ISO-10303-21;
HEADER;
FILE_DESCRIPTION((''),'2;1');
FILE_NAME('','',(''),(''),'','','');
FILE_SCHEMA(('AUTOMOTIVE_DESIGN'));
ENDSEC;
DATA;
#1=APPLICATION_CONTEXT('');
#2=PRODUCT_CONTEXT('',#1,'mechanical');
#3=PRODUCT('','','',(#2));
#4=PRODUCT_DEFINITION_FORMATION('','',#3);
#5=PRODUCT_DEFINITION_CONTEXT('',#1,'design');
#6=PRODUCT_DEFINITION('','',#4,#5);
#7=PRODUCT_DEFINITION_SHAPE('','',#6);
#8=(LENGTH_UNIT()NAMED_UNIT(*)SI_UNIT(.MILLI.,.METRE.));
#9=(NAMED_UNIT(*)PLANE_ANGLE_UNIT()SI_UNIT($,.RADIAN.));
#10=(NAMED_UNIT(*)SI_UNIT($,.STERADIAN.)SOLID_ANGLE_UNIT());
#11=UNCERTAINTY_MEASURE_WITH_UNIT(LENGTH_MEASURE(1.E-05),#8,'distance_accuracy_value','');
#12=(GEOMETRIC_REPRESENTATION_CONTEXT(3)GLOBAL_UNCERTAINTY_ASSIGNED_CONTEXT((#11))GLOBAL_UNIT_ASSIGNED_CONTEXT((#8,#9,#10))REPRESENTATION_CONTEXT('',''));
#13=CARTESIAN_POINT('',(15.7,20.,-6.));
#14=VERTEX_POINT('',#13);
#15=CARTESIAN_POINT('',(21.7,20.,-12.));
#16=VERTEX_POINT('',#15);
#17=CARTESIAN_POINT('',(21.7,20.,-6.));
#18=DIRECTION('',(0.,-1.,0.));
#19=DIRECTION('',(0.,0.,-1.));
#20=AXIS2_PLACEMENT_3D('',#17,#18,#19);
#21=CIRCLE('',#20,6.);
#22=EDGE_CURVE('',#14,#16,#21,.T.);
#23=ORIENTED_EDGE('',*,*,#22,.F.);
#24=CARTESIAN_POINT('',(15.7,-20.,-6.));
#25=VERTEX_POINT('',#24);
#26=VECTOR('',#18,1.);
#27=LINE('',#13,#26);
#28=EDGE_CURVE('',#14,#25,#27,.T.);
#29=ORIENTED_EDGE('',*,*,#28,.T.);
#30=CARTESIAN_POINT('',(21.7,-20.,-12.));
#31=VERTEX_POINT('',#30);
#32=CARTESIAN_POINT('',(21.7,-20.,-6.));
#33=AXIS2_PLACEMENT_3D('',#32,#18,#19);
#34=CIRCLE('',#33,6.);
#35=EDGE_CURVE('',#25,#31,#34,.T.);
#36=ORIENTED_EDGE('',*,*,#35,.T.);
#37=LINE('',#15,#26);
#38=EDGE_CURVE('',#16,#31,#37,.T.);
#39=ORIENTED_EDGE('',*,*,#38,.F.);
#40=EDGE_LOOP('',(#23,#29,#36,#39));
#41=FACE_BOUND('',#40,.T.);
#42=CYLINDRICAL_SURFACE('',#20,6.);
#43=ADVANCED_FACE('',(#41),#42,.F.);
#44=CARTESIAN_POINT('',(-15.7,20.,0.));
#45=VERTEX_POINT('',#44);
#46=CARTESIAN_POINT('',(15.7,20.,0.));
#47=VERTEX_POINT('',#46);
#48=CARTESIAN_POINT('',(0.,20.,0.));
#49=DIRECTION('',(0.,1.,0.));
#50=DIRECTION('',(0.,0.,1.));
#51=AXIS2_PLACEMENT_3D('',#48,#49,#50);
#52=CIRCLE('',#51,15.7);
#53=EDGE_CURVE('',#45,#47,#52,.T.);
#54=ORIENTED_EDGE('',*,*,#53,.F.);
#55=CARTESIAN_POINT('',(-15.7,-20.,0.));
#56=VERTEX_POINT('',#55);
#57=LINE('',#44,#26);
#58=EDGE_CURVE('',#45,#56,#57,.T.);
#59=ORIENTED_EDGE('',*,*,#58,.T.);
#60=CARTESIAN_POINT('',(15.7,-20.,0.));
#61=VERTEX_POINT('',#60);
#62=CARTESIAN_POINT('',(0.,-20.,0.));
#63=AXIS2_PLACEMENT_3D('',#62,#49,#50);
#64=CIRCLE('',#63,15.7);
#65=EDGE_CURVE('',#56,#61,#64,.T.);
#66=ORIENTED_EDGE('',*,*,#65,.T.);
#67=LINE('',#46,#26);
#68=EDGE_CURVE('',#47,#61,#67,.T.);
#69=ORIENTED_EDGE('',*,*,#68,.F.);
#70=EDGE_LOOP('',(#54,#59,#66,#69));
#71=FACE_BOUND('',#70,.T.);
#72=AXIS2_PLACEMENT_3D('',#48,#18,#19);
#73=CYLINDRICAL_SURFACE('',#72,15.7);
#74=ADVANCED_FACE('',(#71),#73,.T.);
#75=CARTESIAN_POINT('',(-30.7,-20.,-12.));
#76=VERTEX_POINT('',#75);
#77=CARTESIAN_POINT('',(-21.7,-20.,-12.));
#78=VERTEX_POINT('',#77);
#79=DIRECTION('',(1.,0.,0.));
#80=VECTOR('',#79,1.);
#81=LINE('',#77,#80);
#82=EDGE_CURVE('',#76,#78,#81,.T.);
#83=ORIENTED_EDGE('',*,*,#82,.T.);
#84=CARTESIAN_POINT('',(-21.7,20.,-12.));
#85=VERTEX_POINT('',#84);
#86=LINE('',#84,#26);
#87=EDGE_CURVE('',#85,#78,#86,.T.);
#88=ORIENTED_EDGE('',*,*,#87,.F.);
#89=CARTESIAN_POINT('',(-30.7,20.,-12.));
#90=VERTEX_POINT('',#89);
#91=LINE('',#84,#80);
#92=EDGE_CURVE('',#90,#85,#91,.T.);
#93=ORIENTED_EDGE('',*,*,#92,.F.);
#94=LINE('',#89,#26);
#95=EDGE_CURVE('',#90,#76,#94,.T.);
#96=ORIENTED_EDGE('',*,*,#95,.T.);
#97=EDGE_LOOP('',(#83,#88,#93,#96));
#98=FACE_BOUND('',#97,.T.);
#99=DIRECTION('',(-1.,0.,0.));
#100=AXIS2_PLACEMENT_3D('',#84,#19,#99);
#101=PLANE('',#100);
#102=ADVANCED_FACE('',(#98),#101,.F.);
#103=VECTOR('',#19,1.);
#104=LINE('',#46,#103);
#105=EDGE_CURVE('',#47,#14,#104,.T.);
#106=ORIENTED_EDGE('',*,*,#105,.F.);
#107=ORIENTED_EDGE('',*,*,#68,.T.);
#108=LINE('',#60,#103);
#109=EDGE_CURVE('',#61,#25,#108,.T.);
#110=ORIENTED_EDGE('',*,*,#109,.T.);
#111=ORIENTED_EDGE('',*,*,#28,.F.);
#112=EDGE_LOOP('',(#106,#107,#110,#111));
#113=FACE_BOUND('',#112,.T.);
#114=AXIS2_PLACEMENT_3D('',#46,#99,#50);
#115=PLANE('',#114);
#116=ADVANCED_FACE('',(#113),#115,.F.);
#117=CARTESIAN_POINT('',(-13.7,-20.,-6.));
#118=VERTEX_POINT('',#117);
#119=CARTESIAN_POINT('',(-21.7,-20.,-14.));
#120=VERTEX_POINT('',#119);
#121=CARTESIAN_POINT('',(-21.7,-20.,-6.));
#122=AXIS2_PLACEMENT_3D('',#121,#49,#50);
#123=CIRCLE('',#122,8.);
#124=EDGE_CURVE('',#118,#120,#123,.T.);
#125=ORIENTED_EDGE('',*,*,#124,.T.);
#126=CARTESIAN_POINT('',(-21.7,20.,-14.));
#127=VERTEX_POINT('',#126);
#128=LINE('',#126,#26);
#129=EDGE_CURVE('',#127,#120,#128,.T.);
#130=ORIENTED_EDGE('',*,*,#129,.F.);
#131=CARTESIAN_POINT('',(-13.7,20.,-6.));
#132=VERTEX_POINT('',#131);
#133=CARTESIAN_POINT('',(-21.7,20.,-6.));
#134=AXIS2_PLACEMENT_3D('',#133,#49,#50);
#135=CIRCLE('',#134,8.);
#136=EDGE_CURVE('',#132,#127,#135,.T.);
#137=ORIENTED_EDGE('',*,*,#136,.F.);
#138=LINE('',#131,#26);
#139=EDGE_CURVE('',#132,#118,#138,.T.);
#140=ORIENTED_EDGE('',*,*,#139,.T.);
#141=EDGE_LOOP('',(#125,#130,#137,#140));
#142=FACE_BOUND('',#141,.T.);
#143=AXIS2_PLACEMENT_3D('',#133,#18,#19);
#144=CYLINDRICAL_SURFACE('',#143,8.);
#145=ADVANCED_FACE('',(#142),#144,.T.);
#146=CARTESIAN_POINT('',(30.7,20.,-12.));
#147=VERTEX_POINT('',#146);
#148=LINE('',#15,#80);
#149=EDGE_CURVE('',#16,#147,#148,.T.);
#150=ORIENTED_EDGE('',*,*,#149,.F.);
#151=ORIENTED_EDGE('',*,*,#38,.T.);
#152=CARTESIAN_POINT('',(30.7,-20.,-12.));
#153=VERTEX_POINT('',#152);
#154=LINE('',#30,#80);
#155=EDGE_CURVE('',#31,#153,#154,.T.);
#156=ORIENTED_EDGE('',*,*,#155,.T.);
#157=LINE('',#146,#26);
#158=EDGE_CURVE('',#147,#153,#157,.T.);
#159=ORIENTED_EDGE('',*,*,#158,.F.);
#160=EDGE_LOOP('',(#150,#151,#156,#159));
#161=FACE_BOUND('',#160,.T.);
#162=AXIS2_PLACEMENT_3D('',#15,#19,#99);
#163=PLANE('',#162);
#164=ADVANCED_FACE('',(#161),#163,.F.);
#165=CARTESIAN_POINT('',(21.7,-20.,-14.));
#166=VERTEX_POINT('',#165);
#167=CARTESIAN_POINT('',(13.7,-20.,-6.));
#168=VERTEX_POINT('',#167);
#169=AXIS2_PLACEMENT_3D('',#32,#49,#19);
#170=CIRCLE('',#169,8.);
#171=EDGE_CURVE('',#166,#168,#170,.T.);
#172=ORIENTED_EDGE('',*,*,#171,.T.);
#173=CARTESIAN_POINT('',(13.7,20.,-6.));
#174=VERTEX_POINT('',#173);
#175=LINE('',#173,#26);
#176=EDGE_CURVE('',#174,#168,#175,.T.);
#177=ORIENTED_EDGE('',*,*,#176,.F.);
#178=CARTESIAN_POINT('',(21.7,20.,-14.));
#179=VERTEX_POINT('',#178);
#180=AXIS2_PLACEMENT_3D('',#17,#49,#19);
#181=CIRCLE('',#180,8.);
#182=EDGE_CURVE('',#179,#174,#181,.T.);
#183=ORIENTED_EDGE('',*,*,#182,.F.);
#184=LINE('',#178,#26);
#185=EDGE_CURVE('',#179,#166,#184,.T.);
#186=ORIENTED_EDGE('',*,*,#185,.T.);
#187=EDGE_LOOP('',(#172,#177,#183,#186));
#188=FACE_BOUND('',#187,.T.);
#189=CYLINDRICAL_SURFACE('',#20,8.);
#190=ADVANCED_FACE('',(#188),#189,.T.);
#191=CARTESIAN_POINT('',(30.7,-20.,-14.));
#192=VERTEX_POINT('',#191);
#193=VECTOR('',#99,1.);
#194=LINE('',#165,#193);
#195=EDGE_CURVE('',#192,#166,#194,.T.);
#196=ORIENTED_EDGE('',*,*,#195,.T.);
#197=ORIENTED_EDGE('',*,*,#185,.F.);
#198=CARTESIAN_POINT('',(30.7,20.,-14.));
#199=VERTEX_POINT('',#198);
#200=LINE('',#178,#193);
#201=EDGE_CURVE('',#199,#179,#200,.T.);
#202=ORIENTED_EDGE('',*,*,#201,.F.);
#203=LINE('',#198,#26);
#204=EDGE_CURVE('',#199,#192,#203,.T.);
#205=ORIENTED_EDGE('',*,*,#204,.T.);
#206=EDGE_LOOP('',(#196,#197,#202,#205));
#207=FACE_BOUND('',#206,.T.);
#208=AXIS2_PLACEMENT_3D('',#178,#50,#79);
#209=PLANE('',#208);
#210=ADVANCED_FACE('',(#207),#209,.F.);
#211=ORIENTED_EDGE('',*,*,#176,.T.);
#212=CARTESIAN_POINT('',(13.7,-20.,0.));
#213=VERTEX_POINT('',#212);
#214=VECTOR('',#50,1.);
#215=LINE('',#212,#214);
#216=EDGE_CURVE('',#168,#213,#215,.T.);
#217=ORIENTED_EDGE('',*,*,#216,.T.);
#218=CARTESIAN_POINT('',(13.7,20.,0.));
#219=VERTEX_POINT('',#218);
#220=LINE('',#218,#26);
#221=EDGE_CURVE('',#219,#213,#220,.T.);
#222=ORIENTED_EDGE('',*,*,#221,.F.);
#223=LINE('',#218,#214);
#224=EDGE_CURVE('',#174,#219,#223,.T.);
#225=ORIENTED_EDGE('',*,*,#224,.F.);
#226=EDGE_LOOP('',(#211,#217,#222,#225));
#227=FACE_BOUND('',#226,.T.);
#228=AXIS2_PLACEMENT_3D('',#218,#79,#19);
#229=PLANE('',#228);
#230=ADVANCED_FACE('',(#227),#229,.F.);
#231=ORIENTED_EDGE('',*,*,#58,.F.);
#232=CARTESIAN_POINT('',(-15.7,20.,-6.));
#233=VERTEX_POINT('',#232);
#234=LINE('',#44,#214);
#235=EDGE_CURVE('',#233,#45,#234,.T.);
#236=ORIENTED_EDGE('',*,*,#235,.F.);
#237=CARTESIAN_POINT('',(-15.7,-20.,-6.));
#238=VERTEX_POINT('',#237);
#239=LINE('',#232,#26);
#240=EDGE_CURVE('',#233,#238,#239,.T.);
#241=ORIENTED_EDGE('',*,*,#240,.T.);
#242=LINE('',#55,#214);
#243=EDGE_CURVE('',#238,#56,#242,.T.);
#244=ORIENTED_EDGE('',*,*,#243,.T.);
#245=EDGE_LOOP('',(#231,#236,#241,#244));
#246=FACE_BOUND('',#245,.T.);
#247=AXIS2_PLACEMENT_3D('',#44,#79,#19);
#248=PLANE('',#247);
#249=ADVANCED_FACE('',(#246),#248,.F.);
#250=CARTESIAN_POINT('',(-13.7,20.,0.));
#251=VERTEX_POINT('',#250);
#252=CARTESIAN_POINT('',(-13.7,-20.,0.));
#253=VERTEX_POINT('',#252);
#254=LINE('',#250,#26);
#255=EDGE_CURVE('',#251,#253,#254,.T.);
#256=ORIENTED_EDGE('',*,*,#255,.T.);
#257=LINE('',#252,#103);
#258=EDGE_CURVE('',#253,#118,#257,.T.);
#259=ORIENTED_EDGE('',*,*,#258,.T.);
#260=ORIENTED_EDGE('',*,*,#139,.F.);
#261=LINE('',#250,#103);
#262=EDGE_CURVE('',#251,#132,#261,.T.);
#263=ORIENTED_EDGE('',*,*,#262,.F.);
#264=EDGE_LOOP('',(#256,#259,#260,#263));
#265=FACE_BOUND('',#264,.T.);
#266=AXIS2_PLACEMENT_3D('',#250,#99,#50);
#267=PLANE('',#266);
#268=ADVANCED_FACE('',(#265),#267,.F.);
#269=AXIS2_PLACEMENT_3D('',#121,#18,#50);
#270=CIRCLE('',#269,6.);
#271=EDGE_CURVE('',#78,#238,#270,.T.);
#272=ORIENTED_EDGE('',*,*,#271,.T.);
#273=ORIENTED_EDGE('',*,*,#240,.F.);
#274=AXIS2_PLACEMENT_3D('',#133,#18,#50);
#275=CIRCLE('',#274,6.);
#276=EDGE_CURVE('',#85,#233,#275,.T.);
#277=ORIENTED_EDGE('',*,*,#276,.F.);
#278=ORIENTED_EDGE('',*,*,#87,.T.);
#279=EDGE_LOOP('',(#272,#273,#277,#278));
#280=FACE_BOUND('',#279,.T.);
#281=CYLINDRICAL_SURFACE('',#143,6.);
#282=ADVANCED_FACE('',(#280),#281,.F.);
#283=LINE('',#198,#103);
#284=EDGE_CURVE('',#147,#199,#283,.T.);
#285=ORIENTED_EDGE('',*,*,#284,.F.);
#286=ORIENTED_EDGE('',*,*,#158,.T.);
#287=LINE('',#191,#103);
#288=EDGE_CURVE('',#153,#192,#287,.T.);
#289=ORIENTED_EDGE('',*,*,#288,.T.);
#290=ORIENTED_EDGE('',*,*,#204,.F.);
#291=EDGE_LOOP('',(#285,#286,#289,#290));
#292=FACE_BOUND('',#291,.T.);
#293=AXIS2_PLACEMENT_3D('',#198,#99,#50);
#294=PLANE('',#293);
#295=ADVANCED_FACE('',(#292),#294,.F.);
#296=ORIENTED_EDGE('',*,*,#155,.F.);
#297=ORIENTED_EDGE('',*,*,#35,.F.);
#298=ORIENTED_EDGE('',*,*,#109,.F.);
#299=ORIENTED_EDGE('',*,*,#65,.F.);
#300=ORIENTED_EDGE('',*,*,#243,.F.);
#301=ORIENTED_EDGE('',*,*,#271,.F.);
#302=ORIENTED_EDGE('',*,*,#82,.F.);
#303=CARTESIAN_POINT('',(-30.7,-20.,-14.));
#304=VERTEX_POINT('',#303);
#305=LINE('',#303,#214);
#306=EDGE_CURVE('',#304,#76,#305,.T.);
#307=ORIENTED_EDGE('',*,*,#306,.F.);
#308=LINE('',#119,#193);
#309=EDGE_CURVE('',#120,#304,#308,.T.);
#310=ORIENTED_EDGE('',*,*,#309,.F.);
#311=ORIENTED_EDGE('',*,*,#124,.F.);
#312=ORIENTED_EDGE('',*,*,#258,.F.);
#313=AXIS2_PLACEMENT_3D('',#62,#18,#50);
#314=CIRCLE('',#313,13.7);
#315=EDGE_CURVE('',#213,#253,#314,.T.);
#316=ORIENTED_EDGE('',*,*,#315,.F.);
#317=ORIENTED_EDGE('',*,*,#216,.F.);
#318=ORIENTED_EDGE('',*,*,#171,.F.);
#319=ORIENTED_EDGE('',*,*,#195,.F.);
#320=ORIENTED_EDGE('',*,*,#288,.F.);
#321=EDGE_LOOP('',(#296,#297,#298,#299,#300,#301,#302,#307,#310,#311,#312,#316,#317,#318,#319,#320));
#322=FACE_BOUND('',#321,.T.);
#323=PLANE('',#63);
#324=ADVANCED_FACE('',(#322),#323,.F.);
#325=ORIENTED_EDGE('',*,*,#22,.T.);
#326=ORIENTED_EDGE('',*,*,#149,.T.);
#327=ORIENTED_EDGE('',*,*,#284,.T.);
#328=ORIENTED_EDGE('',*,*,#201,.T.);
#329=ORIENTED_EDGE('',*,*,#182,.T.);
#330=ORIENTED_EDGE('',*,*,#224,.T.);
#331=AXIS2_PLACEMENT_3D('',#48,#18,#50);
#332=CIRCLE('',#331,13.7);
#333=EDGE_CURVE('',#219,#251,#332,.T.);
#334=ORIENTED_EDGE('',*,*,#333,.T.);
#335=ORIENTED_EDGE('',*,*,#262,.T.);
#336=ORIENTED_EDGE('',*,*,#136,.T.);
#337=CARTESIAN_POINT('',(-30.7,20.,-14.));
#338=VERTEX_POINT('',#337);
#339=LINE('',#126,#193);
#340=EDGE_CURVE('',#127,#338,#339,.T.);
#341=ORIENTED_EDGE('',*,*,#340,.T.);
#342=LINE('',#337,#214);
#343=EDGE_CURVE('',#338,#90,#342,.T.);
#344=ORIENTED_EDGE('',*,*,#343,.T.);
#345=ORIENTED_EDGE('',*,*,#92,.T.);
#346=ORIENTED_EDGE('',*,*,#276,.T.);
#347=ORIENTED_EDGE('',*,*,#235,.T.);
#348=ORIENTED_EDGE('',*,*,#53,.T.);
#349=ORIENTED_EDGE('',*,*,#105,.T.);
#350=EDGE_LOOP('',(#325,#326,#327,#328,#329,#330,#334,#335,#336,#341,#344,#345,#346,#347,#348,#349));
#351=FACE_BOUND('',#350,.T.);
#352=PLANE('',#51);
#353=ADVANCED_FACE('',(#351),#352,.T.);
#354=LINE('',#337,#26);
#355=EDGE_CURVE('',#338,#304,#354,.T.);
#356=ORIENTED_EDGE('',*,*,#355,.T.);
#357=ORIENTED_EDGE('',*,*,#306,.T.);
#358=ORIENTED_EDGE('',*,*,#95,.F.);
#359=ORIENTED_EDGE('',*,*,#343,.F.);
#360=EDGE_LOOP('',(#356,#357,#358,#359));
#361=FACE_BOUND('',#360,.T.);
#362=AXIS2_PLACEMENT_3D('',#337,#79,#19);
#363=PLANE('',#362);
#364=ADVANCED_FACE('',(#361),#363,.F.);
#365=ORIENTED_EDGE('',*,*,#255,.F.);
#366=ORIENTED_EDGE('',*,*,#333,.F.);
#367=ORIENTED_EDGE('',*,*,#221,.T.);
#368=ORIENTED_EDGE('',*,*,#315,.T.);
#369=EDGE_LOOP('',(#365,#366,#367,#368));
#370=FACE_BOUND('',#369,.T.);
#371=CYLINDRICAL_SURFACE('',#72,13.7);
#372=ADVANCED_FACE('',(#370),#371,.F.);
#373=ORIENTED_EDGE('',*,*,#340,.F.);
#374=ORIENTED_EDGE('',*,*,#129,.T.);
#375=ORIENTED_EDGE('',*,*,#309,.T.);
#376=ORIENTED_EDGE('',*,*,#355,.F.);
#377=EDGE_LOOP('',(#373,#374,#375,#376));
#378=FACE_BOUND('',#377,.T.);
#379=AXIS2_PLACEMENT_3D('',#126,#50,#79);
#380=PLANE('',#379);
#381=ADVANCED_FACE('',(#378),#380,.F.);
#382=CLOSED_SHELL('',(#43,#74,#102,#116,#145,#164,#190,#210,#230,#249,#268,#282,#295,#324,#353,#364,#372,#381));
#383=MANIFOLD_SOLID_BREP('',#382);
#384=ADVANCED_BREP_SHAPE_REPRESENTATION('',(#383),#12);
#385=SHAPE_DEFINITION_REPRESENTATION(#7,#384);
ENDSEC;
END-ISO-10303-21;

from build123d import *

# Parameters (mm, degrees)
BOSS_EXTRUDE1_DEPTH = 20


with BuildPart() as part:
    # Sketch1 → Boss-Extrude1 (new, symmetric)
    with BuildSketch(Plane(origin=(0, 0, 0), x_dir=(1, 0, 0), z_dir=(0, 1, 0))):
        with BuildLine():
            Line((13.7, 0), (13.7, 6))
            ThreePointArc((13.7, 6), (16.043145751, 11.656854249), (21.7, 14))
            Line((21.7, 14), (30.7, 14))
            Line((30.7, 14), (30.7, 12))
            Line((30.7, 12), (21.7, 12))
            ThreePointArc((21.7, 12), (17.457359313, 10.242640687), (15.7, 6))
            Line((15.7, 6), (15.7, 0))
            ThreePointArc((15.7, 0), (0, -15.7), (-15.7, 0))
            Line((-15.7, 0), (-15.7, 6))
            ThreePointArc((-15.7, 6), (-17.457359313, 10.242640687), (-21.7, 12))
            Line((-21.7, 12), (-30.7, 12))
            Line((-30.7, 12), (-30.7, 14))
            Line((-30.7, 14), (-21.7, 14))
            ThreePointArc((-21.7, 14), (-16.043145751, 11.656854249), (-13.7, 6))
            Line((-13.7, 6), (-13.7, 0))
            ThreePointArc((-13.7, 0), (0, -13.7), (13.7, 0))
        make_face()
    extrude(amount=BOSS_EXTRUDE1_DEPTH, both=True)


solid = part.part
